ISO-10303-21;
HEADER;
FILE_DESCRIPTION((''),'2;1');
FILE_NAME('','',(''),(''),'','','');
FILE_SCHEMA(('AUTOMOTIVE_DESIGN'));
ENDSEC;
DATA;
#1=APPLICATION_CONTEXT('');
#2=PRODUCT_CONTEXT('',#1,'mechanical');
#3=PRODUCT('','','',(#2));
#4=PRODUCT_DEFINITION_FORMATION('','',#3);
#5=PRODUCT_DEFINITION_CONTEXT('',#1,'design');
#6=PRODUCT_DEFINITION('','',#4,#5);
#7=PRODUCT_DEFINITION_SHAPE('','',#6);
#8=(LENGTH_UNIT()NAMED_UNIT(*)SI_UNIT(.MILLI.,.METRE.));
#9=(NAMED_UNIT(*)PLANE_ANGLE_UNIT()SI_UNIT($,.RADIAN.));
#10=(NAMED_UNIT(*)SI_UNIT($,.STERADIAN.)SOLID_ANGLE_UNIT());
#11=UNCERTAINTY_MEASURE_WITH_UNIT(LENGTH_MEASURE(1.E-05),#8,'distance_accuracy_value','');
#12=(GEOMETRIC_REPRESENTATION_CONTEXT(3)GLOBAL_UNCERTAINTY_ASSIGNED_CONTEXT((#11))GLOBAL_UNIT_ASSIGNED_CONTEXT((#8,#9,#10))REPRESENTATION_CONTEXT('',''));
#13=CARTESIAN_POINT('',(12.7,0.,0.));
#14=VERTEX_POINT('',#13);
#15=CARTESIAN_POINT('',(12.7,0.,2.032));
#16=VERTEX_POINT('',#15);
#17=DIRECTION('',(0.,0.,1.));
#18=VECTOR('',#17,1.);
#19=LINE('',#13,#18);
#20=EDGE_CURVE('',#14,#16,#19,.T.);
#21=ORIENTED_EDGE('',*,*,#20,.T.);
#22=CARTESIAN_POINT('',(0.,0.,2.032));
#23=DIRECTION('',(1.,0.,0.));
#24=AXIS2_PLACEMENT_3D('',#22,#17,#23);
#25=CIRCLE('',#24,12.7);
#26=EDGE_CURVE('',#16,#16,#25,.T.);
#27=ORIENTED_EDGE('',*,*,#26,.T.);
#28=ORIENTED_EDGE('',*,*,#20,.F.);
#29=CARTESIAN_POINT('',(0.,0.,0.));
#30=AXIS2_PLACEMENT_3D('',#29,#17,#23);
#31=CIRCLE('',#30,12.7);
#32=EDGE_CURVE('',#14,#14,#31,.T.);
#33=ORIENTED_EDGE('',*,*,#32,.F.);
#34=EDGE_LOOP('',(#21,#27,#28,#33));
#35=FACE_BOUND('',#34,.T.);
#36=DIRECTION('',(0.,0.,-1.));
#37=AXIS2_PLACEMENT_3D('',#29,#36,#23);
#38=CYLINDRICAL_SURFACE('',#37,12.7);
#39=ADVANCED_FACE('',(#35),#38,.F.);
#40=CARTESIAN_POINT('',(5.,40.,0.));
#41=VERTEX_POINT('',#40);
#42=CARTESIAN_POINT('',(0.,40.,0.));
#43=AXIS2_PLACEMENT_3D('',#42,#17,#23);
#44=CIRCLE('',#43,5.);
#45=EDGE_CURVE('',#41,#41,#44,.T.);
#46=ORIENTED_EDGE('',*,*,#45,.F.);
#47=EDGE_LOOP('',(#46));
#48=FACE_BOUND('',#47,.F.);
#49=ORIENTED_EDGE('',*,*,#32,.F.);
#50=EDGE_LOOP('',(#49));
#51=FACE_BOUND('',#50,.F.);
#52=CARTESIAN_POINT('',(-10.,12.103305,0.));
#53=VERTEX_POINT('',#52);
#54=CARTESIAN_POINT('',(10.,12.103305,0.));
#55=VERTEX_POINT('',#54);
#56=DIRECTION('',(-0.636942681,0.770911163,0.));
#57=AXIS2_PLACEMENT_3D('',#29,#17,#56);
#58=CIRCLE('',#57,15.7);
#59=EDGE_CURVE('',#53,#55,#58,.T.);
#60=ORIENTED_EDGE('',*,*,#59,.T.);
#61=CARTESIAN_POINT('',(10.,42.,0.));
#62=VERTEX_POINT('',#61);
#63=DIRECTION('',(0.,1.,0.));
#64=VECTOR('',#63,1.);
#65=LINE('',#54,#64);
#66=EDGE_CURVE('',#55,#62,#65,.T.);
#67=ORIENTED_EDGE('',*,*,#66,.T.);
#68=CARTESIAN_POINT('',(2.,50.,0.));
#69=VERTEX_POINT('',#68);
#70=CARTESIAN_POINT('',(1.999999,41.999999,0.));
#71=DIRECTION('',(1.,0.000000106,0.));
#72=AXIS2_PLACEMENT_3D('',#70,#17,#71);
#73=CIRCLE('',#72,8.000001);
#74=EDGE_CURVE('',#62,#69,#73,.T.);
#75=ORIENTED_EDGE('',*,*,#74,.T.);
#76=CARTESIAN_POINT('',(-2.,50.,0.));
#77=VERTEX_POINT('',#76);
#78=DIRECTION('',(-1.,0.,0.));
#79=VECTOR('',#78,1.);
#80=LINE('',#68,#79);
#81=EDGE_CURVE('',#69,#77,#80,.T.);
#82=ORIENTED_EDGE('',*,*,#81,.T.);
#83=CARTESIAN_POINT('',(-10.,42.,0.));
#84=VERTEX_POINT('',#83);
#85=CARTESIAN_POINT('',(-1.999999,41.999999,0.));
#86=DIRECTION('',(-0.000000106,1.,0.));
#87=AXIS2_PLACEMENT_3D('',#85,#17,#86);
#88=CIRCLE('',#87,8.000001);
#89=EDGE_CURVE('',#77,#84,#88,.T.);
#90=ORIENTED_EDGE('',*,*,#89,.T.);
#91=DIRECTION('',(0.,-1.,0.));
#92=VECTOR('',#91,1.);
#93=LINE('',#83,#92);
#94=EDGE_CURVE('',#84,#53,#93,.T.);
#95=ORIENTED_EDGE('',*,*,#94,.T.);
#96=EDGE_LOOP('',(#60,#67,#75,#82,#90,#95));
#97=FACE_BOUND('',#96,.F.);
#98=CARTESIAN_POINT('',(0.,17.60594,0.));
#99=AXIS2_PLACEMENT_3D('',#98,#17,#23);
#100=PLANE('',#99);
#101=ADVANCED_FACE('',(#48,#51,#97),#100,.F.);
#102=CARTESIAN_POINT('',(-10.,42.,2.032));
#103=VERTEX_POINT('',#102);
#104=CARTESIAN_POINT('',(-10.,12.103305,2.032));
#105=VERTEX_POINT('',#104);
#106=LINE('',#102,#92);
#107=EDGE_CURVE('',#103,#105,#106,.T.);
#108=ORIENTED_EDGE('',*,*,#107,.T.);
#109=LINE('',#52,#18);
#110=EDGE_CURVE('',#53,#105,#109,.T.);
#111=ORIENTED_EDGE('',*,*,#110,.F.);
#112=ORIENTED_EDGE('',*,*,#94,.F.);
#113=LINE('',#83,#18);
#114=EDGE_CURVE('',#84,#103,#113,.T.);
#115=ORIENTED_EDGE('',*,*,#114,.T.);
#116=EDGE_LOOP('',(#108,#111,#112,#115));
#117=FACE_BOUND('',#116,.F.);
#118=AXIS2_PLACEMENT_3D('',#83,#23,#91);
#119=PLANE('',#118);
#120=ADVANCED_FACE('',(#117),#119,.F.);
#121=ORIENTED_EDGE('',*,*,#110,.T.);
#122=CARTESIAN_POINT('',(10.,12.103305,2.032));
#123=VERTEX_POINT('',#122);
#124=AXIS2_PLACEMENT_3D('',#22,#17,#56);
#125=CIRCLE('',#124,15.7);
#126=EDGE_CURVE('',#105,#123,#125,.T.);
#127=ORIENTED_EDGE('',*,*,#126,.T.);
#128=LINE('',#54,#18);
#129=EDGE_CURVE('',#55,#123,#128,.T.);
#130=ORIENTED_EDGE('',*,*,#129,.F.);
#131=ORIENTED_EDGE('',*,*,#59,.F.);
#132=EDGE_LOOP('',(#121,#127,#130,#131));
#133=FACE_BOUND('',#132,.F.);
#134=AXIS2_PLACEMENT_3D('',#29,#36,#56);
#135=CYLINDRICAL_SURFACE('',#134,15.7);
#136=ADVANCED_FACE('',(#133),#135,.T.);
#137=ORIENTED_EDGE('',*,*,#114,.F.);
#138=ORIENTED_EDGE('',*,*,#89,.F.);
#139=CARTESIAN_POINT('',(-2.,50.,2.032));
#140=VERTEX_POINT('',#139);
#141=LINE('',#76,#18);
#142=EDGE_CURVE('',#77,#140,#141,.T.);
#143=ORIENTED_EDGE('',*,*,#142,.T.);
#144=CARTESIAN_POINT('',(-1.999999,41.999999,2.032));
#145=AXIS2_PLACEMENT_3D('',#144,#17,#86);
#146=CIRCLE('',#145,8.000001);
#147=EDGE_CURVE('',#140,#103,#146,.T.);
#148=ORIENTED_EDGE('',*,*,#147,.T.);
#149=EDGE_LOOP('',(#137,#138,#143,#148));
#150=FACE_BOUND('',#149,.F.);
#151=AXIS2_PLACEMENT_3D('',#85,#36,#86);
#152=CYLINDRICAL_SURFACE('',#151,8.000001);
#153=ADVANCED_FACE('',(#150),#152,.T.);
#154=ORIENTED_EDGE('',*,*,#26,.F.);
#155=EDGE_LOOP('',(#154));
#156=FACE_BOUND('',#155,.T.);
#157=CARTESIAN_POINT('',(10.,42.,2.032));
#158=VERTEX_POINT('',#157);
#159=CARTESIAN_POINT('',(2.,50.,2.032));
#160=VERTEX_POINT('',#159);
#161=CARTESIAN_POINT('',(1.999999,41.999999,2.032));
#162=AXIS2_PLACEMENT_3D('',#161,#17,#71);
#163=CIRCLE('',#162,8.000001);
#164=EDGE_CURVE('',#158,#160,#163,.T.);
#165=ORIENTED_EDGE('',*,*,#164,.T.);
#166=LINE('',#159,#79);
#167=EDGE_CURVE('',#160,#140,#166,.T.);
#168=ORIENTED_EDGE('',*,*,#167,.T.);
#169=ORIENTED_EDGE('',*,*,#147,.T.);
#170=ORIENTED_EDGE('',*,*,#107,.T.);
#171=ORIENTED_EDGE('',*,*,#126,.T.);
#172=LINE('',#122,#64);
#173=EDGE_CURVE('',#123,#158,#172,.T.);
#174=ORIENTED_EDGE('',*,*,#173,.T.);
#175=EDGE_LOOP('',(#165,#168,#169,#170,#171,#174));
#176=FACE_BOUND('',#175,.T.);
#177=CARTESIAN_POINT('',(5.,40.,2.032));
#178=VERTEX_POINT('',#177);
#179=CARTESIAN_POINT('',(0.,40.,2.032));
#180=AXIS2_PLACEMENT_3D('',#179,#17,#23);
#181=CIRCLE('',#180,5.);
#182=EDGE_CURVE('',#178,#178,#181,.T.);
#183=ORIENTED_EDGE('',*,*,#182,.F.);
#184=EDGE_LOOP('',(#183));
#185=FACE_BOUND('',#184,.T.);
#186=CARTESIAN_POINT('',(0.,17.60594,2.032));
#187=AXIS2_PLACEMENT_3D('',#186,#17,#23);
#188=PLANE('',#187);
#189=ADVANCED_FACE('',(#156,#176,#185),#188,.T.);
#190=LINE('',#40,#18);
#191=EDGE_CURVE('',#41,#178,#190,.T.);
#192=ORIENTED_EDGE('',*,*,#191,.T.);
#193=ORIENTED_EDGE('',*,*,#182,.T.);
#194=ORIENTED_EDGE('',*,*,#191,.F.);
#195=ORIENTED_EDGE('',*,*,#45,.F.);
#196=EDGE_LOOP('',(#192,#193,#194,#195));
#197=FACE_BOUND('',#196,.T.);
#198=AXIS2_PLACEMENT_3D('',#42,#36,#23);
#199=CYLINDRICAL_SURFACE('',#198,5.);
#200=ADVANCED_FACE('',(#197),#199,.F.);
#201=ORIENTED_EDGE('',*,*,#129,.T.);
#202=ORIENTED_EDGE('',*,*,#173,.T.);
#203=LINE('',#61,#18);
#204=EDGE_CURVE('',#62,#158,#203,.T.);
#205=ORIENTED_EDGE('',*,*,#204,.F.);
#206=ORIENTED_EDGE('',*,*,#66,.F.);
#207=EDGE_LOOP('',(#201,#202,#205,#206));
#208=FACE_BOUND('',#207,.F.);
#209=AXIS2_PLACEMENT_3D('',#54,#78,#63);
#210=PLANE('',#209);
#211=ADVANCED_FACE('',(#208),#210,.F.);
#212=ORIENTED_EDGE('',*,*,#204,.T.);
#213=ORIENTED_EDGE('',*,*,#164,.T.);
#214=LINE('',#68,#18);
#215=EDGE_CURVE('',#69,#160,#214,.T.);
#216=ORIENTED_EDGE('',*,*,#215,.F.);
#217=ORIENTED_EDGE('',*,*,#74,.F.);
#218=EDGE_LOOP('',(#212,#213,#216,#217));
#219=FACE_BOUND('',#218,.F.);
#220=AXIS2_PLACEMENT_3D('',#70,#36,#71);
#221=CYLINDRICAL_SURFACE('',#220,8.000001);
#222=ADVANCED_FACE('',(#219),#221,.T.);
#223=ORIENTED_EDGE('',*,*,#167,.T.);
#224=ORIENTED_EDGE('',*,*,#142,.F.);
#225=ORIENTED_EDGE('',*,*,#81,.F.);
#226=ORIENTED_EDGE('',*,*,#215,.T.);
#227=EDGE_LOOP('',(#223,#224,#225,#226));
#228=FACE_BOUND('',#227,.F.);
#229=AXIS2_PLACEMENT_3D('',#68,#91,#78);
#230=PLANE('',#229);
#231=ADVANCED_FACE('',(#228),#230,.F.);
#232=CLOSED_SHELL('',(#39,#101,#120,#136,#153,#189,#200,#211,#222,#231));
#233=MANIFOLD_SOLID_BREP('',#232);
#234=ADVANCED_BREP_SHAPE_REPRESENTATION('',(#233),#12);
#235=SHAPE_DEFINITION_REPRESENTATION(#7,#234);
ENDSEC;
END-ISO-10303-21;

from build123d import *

# Parameters (mm, degrees)
F0_R     = 12.7
F0_R_2   = 5
F1_DEPTH = 2.032


with BuildPart() as f1:
    # F0 (on Top) → F1 (new body)
    with BuildSketch(Plane.XY):
        with BuildLine():
            Line((2, 50), (-2, 50))
            ThreePointArc((-2, 50), (-7.656854, 47.656854), (-10, 42))
            Line((-10, 42), (-10, 12.103305))
            ThreePointArc((-10, 12.103305), (0, -15.7), (10, 12.103305))
            Line((10, 12.103305), (10, 42))
            ThreePointArc((10, 42), (7.656854, 47.656854), (2, 50))
        make_face()
        Circle(F0_R, mode=Mode.SUBTRACT)
        with Locations((0, 40)):
            Circle(F0_R_2, mode=Mode.SUBTRACT)
    extrude(amount=F1_DEPTH)


solid = f1.part
